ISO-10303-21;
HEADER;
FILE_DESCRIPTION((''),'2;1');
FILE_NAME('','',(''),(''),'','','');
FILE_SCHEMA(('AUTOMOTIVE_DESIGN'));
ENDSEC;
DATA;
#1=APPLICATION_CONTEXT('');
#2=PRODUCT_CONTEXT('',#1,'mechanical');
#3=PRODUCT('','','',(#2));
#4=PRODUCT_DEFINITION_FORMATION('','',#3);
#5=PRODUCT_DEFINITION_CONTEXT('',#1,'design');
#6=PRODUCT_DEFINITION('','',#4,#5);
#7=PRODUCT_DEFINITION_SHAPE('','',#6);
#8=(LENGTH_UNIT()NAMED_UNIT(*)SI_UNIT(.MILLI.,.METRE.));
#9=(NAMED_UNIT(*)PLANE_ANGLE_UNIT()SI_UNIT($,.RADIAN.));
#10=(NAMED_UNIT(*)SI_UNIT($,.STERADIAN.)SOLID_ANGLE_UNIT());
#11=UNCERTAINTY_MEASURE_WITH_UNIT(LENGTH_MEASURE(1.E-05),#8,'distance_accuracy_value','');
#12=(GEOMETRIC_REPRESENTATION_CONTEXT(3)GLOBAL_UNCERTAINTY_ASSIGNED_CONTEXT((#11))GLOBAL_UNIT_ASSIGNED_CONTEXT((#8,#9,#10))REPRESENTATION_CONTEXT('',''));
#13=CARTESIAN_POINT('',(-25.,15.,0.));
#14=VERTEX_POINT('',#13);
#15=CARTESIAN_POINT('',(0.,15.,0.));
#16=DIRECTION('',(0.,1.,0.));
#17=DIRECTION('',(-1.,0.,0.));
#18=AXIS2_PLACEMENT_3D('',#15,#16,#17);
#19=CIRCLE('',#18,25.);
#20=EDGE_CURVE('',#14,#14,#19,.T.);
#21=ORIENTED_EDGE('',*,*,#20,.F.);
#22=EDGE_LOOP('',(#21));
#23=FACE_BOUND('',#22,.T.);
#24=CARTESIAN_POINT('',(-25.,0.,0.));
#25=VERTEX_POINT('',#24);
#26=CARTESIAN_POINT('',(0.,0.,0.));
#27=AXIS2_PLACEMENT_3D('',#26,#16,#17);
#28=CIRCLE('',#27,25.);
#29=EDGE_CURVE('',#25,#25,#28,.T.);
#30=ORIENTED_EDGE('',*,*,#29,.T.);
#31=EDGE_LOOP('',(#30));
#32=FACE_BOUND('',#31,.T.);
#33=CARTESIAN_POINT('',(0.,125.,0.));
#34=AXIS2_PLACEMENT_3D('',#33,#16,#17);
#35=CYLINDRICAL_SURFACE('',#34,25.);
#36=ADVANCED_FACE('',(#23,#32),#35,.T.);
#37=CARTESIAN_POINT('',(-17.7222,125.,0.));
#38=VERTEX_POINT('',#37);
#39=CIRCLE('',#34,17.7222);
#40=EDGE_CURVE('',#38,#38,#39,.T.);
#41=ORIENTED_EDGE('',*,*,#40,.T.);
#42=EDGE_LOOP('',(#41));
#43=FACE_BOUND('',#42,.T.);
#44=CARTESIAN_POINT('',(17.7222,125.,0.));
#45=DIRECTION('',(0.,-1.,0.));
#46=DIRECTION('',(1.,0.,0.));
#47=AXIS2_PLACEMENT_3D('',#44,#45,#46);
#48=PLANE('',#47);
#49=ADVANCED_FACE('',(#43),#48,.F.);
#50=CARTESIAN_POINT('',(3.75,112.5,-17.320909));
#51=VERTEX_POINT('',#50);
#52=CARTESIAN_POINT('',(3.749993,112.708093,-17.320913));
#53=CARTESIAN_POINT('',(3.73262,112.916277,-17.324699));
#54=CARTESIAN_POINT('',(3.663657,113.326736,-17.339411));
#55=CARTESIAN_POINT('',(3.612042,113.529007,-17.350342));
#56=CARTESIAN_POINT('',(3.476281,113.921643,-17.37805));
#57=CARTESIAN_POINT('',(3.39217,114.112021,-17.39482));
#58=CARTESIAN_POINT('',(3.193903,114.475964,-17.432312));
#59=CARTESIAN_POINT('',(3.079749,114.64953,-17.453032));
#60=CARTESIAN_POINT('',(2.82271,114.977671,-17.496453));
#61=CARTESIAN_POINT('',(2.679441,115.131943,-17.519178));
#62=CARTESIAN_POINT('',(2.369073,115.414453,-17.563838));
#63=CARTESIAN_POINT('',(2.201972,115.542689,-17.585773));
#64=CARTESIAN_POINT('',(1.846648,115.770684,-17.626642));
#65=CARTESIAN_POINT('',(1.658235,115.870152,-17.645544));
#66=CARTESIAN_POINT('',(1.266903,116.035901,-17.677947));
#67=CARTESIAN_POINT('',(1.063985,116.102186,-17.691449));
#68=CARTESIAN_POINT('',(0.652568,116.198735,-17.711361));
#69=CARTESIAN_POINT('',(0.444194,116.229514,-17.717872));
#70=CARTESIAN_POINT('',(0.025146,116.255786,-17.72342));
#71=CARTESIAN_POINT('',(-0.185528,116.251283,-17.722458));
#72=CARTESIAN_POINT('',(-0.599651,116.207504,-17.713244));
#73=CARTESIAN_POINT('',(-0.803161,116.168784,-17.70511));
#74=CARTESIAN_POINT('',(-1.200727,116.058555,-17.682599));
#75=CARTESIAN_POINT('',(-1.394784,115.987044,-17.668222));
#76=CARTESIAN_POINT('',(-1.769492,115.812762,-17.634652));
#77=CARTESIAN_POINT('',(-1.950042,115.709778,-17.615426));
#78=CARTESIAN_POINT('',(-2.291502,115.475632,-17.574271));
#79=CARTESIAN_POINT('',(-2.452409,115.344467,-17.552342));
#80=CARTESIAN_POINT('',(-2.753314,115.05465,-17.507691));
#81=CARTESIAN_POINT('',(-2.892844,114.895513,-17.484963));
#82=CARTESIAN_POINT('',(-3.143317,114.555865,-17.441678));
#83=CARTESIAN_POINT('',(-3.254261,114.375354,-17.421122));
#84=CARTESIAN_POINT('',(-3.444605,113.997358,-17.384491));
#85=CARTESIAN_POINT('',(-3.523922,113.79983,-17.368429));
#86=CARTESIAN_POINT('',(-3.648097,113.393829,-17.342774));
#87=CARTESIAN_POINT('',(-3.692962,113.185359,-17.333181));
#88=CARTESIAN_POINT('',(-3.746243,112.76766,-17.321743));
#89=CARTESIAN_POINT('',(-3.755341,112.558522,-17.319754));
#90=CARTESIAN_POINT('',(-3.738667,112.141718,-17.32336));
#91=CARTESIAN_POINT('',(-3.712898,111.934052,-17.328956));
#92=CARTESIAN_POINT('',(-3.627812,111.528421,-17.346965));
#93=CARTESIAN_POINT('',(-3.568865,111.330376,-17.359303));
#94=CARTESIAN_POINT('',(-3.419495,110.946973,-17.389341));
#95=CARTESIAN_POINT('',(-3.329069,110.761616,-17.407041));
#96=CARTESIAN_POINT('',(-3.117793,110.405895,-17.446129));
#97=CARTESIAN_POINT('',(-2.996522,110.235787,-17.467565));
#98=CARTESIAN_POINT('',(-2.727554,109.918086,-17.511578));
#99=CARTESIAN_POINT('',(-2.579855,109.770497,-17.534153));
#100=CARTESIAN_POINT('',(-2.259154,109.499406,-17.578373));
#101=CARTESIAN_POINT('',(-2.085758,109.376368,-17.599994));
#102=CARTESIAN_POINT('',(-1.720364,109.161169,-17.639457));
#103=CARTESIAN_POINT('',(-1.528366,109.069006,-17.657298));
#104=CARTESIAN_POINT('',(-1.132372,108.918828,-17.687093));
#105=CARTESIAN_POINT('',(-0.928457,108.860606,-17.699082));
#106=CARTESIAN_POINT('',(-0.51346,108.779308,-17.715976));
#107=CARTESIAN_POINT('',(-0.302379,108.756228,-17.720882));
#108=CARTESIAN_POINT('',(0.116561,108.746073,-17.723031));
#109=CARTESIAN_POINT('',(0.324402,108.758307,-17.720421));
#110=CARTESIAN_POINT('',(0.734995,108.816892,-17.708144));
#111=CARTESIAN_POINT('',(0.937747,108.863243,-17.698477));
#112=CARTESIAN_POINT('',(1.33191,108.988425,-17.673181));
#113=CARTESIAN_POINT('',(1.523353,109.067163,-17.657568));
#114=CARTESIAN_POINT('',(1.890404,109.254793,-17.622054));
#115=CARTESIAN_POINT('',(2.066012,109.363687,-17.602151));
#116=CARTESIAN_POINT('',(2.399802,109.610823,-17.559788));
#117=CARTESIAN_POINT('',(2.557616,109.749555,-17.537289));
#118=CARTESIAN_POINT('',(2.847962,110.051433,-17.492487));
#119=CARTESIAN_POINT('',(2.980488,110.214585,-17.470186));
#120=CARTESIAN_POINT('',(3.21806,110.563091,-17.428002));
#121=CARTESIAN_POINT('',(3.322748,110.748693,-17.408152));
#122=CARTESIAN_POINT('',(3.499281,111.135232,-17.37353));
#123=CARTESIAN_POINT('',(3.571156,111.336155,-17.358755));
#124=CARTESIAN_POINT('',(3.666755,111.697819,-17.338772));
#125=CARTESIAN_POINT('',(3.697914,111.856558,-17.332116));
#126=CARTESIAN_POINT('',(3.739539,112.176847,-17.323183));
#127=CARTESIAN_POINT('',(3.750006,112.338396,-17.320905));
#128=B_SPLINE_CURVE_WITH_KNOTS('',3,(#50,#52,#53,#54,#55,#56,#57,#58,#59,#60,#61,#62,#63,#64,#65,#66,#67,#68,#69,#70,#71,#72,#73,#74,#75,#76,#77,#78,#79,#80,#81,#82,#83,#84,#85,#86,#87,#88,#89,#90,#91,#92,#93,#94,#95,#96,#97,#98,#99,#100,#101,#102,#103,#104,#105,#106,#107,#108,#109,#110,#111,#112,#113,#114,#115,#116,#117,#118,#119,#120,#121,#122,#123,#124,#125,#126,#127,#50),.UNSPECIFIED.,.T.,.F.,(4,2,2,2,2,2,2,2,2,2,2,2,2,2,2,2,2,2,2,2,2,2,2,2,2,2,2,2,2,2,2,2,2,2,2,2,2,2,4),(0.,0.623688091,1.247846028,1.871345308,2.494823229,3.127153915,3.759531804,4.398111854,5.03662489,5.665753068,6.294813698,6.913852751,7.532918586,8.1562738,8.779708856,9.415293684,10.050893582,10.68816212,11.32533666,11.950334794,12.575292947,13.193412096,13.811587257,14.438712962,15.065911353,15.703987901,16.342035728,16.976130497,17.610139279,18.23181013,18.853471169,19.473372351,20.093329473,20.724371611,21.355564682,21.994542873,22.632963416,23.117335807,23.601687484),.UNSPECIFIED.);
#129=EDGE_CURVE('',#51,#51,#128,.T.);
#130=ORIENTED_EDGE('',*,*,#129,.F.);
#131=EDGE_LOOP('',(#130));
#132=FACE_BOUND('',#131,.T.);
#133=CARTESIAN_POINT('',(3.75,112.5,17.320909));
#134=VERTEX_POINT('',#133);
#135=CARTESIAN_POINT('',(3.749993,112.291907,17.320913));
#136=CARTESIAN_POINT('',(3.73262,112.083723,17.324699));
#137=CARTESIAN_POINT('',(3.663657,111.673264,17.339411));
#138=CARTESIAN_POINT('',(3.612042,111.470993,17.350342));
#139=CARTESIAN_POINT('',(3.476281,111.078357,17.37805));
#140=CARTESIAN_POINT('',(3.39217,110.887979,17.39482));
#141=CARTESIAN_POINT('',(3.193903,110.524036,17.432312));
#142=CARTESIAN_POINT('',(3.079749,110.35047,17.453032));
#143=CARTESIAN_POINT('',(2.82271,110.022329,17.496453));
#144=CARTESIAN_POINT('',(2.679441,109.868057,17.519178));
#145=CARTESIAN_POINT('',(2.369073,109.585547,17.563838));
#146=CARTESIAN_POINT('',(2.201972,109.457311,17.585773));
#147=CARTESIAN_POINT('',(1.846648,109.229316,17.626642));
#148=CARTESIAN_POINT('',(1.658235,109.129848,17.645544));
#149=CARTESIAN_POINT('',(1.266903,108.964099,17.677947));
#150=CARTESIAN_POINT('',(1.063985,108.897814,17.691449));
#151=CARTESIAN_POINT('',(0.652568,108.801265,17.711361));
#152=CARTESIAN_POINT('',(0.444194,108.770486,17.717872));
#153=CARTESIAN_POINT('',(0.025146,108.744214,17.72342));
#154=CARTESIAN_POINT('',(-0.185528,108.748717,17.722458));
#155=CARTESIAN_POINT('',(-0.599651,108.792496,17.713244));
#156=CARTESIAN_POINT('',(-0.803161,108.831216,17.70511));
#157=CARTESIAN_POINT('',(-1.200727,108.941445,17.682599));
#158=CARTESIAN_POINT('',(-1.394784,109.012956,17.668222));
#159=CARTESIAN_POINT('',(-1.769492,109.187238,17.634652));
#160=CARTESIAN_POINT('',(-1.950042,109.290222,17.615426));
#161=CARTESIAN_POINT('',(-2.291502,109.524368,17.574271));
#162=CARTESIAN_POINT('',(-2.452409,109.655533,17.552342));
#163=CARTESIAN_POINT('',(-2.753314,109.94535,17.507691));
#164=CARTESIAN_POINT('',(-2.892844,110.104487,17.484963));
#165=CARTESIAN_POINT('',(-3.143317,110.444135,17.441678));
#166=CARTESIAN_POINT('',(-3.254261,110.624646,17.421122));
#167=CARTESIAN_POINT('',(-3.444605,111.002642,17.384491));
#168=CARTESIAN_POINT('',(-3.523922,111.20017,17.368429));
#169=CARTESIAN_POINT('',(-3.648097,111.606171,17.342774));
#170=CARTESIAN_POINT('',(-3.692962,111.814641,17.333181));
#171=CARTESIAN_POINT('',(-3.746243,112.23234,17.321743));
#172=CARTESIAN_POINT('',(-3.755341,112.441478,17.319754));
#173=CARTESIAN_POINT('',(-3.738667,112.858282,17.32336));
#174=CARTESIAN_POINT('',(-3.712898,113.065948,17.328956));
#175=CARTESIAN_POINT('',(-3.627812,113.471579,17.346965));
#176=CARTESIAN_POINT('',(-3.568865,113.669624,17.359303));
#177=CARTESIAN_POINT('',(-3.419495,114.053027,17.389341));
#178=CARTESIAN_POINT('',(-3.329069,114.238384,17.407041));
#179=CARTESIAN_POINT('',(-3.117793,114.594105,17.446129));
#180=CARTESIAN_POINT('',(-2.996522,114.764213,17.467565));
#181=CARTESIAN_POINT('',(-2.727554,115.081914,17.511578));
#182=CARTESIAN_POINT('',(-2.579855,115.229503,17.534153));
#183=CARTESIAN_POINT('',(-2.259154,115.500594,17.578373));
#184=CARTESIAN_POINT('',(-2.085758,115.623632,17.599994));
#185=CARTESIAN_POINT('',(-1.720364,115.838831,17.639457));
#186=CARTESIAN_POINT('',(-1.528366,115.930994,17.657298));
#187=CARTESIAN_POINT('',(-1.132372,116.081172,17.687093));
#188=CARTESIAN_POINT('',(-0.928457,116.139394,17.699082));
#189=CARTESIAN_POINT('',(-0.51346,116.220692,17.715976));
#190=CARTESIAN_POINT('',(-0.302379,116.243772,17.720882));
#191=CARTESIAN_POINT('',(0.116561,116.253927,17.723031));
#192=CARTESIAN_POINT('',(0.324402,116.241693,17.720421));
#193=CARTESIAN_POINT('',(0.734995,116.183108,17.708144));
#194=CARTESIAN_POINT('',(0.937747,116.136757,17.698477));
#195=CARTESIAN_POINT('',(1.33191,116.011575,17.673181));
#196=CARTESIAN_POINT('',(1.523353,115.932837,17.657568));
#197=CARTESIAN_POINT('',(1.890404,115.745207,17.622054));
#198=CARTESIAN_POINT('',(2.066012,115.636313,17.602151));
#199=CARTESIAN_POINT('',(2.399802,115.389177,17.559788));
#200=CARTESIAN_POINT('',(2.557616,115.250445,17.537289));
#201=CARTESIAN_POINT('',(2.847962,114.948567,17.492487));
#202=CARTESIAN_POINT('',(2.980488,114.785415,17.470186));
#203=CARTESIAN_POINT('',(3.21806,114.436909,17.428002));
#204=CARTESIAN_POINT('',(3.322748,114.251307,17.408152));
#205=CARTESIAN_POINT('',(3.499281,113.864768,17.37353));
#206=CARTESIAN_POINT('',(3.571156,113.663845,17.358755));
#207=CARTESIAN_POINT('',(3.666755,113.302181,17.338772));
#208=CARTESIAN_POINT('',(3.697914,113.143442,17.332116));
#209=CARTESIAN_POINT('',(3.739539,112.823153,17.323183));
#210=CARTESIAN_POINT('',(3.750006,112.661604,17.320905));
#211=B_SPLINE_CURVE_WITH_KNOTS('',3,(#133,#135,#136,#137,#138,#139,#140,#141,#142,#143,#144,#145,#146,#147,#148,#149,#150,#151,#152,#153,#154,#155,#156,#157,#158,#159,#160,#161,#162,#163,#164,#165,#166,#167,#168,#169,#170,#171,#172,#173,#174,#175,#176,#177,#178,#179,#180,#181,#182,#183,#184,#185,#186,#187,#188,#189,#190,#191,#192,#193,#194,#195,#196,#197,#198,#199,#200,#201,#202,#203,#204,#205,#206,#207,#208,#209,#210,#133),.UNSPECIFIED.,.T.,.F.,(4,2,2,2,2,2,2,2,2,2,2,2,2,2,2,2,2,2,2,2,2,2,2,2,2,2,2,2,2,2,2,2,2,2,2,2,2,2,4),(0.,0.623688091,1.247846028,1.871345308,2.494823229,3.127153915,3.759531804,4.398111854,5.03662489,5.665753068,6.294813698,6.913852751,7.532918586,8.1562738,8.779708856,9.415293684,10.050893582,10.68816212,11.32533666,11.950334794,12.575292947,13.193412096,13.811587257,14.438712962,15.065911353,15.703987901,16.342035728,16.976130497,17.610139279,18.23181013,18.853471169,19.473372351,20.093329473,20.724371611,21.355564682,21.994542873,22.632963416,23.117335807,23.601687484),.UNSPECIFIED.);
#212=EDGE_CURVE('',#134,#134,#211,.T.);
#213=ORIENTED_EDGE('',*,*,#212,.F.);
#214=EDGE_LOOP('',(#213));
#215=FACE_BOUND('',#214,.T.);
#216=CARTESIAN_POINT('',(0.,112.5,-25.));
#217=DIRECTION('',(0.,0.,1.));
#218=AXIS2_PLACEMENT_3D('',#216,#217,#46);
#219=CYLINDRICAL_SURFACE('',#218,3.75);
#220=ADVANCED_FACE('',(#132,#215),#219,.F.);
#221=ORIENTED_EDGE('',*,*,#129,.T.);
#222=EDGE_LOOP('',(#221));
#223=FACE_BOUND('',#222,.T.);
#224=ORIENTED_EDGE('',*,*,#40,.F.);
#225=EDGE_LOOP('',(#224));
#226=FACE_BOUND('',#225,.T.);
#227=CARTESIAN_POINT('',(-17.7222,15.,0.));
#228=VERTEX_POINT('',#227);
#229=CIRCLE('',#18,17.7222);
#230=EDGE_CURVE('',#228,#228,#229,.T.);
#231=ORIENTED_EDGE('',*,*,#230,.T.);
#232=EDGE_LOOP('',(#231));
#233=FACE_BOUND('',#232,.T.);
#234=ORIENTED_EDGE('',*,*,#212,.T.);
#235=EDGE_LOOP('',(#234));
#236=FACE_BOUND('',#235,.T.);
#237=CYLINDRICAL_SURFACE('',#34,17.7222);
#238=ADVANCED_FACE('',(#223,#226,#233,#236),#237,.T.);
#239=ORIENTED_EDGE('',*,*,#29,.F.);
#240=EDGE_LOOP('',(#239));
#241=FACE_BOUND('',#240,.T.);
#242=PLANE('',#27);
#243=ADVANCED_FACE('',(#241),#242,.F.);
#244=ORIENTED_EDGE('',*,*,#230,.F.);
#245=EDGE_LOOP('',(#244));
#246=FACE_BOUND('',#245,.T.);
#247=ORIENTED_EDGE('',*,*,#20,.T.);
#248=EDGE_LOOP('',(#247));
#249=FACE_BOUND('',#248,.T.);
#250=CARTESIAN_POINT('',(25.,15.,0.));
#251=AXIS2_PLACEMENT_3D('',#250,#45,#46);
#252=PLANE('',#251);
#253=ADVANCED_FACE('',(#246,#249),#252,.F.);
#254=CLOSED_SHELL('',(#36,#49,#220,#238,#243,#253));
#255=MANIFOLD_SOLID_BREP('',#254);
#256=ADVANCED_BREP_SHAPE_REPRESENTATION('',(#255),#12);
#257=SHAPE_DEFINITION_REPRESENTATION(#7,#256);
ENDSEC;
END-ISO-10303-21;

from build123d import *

# Parameters (mm, degrees)
SKETCH3_R               = 3.75
CUT_EXTRUDE1_DEPTH      = 26
CUT_EXTRUDE1_DEPTH_BACK = 26


with BuildPart() as part:
    # Sketch2 → Revolve1 (revolve)
    with BuildSketch(Plane.XY):
        Polygon((0, 0), (25, 0), (25, 15), (17.7222, 15), (17.7222, 125), (0, 125), align=None)
    revolve(axis=Axis((0, 125, 0), (0, -1, 0)))

    # Sketch3 → Cut-Extrude1 (cut, two sides)
    with BuildSketch(Plane.XY) as cut_extrude1_sk:
        with Locations((0, 112.5)):
            Circle(SKETCH3_R)
    extrude(amount=CUT_EXTRUDE1_DEPTH, mode=Mode.SUBTRACT)
    extrude(cut_extrude1_sk.sketch, amount=-CUT_EXTRUDE1_DEPTH_BACK, mode=Mode.SUBTRACT)


solid = part.part
